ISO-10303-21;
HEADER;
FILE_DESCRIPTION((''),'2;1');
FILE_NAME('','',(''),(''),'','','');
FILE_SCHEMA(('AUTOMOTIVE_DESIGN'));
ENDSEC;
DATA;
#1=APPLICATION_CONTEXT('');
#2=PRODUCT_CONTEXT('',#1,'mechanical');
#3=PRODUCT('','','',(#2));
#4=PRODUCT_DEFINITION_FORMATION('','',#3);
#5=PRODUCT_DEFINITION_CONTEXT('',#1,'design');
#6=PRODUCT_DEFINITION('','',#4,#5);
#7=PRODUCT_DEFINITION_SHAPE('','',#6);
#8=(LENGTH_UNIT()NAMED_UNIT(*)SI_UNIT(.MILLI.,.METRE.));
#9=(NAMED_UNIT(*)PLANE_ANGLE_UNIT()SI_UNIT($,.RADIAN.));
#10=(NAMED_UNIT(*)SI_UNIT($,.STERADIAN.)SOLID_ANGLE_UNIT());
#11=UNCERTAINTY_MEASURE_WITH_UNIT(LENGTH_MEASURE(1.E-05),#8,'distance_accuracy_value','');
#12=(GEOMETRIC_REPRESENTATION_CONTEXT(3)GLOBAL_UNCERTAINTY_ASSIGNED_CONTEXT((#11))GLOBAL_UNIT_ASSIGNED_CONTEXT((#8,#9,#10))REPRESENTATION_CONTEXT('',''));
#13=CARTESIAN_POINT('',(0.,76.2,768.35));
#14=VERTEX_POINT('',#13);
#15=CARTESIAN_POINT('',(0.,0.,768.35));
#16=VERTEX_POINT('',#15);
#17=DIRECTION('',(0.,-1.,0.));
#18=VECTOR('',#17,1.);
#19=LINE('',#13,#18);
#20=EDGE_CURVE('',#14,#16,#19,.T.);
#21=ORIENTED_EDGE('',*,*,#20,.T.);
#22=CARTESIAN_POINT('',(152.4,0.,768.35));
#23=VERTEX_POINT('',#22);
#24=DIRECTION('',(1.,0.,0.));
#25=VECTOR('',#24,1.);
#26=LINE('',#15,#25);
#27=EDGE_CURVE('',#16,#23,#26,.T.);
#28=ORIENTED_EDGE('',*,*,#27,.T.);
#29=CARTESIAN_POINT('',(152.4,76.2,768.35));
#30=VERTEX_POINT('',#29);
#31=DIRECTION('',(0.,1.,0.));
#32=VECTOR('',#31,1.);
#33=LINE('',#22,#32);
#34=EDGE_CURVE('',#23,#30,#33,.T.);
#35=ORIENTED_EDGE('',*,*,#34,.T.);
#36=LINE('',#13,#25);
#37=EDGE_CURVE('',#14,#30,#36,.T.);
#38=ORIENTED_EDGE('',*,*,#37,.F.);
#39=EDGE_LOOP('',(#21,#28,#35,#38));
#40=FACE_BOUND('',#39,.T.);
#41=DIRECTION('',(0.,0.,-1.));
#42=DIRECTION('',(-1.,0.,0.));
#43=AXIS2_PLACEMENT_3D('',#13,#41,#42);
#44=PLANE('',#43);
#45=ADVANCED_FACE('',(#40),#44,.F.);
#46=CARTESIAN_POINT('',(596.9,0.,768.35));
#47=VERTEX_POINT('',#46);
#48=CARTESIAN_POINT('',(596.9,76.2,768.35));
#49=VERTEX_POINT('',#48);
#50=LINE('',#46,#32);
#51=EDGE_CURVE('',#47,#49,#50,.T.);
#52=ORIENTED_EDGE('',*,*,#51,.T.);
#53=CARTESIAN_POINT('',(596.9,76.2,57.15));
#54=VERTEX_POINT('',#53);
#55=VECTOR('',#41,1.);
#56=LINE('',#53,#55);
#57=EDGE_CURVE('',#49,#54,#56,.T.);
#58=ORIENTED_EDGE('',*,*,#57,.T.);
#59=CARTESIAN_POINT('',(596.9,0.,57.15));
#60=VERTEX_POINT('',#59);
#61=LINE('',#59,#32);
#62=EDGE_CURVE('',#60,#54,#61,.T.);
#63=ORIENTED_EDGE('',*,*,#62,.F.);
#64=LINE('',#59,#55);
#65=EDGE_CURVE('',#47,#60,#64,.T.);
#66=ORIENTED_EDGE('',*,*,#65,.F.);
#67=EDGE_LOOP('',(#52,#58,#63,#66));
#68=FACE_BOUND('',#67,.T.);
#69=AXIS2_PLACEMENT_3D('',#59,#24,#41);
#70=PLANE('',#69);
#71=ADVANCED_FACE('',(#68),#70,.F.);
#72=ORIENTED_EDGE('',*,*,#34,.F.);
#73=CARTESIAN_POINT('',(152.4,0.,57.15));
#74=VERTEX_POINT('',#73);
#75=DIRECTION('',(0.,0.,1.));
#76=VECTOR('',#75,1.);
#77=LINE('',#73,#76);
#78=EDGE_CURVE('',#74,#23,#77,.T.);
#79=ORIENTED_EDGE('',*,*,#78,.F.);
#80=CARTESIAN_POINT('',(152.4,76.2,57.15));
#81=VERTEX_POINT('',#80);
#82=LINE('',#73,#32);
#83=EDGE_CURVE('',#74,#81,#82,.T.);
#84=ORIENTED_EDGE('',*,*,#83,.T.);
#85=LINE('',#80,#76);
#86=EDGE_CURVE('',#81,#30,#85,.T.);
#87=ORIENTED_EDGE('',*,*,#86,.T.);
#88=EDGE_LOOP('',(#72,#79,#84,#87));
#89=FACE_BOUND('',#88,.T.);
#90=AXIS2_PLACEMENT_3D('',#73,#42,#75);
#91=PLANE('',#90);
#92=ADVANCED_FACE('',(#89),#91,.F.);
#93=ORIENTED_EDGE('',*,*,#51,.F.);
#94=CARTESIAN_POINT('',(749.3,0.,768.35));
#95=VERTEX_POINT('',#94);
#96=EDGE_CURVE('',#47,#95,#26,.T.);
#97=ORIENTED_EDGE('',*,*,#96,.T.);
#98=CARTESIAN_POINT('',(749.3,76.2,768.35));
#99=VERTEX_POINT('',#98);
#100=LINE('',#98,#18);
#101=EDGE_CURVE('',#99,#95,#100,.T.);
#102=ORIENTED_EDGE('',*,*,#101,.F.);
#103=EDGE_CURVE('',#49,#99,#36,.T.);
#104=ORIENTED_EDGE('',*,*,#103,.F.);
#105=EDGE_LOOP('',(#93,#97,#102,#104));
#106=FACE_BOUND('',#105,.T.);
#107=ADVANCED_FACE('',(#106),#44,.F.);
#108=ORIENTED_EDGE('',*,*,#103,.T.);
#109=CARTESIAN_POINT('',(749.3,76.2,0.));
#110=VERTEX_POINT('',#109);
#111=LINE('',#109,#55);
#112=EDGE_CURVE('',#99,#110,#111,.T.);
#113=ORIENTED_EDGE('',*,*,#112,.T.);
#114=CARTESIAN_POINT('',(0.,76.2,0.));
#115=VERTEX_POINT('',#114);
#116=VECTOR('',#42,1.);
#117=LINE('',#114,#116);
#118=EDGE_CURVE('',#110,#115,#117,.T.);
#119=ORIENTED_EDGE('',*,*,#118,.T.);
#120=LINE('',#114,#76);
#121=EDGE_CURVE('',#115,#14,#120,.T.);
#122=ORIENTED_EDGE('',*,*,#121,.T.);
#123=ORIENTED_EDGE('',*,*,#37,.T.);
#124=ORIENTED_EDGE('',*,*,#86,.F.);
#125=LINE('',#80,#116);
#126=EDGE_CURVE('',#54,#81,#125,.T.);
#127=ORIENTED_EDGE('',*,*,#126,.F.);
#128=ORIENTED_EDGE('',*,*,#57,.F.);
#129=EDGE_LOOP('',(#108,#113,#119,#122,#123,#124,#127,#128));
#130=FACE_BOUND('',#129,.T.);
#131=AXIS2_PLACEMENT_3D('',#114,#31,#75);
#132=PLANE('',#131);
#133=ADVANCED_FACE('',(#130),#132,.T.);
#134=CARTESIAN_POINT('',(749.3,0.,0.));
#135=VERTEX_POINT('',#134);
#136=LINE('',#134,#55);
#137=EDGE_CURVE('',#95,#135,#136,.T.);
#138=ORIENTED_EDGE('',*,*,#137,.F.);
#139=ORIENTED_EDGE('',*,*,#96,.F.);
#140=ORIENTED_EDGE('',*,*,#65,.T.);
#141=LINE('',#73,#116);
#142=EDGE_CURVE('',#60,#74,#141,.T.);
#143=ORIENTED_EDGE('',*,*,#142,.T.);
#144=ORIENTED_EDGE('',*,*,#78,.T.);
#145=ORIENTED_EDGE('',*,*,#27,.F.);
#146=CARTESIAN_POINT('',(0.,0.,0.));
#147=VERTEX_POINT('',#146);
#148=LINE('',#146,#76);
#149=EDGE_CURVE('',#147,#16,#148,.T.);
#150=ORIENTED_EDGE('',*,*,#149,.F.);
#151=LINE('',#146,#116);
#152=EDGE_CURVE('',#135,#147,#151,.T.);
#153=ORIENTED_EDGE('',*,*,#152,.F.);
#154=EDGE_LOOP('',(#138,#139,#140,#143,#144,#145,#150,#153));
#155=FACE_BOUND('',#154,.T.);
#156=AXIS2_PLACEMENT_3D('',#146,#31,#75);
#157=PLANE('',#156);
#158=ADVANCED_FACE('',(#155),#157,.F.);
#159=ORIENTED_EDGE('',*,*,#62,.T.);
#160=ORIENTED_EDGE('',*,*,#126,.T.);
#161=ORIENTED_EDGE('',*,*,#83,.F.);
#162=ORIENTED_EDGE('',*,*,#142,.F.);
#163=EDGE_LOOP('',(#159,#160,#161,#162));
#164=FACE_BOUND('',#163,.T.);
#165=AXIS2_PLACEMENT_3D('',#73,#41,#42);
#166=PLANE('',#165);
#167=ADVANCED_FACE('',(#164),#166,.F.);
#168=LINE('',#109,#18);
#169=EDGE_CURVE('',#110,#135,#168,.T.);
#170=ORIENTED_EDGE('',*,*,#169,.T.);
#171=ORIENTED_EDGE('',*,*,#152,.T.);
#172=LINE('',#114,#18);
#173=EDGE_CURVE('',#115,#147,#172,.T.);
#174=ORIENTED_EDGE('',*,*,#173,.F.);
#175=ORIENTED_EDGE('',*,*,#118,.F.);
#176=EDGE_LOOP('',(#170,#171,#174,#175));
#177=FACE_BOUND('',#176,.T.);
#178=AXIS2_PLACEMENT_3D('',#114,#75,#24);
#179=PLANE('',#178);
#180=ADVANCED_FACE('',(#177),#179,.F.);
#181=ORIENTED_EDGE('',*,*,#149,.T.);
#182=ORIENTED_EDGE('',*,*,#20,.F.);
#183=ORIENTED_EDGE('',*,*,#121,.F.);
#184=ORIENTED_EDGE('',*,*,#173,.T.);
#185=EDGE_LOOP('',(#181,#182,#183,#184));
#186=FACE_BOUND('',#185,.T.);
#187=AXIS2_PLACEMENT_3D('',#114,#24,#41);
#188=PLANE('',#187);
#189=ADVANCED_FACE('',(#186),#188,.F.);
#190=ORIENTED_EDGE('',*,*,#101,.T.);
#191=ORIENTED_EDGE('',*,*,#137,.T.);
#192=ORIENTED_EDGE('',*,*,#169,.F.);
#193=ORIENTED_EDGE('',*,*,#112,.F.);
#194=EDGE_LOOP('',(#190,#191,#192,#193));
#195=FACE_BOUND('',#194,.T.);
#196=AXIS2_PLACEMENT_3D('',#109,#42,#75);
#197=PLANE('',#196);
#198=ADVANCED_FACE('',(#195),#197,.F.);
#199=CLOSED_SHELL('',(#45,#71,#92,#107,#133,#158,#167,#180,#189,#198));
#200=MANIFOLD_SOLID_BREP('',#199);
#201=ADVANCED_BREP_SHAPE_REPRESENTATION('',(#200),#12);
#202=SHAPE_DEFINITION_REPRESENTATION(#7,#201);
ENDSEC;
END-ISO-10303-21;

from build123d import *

# Parameters (mm, degrees)
SKETCH1_W           = 749.3
SKETCH1_H           = 768.35
BOSS_EXTRUDE1_DEPTH = 76.2
SKETCH2_W           = 444.5
SKETCH2_H           = 711.2
CUT_EXTRUDE1_DEPTH  = 76.2


with BuildPart() as part:
    # Sketch1 → Boss-Extrude1 (new body)
    with BuildSketch(Plane(origin=(0, 0, 0), x_dir=(1, 0, 0), z_dir=(0, 1, 0))):
        with Locations((374.65, -384.175)):
            Rectangle(SKETCH1_W, SKETCH1_H)
    extrude(amount=BOSS_EXTRUDE1_DEPTH)

    # Sketch2 → Cut-Extrude1 (cut)
    with BuildSketch(Plane(origin=(0, 76.2, 0), x_dir=(1, 0, 0), z_dir=(0, 1, 0))):
        with Locations((374.65, -412.75)):
            Rectangle(SKETCH2_W, SKETCH2_H)
    extrude(amount=-CUT_EXTRUDE1_DEPTH, mode=Mode.SUBTRACT)


solid = part.part
